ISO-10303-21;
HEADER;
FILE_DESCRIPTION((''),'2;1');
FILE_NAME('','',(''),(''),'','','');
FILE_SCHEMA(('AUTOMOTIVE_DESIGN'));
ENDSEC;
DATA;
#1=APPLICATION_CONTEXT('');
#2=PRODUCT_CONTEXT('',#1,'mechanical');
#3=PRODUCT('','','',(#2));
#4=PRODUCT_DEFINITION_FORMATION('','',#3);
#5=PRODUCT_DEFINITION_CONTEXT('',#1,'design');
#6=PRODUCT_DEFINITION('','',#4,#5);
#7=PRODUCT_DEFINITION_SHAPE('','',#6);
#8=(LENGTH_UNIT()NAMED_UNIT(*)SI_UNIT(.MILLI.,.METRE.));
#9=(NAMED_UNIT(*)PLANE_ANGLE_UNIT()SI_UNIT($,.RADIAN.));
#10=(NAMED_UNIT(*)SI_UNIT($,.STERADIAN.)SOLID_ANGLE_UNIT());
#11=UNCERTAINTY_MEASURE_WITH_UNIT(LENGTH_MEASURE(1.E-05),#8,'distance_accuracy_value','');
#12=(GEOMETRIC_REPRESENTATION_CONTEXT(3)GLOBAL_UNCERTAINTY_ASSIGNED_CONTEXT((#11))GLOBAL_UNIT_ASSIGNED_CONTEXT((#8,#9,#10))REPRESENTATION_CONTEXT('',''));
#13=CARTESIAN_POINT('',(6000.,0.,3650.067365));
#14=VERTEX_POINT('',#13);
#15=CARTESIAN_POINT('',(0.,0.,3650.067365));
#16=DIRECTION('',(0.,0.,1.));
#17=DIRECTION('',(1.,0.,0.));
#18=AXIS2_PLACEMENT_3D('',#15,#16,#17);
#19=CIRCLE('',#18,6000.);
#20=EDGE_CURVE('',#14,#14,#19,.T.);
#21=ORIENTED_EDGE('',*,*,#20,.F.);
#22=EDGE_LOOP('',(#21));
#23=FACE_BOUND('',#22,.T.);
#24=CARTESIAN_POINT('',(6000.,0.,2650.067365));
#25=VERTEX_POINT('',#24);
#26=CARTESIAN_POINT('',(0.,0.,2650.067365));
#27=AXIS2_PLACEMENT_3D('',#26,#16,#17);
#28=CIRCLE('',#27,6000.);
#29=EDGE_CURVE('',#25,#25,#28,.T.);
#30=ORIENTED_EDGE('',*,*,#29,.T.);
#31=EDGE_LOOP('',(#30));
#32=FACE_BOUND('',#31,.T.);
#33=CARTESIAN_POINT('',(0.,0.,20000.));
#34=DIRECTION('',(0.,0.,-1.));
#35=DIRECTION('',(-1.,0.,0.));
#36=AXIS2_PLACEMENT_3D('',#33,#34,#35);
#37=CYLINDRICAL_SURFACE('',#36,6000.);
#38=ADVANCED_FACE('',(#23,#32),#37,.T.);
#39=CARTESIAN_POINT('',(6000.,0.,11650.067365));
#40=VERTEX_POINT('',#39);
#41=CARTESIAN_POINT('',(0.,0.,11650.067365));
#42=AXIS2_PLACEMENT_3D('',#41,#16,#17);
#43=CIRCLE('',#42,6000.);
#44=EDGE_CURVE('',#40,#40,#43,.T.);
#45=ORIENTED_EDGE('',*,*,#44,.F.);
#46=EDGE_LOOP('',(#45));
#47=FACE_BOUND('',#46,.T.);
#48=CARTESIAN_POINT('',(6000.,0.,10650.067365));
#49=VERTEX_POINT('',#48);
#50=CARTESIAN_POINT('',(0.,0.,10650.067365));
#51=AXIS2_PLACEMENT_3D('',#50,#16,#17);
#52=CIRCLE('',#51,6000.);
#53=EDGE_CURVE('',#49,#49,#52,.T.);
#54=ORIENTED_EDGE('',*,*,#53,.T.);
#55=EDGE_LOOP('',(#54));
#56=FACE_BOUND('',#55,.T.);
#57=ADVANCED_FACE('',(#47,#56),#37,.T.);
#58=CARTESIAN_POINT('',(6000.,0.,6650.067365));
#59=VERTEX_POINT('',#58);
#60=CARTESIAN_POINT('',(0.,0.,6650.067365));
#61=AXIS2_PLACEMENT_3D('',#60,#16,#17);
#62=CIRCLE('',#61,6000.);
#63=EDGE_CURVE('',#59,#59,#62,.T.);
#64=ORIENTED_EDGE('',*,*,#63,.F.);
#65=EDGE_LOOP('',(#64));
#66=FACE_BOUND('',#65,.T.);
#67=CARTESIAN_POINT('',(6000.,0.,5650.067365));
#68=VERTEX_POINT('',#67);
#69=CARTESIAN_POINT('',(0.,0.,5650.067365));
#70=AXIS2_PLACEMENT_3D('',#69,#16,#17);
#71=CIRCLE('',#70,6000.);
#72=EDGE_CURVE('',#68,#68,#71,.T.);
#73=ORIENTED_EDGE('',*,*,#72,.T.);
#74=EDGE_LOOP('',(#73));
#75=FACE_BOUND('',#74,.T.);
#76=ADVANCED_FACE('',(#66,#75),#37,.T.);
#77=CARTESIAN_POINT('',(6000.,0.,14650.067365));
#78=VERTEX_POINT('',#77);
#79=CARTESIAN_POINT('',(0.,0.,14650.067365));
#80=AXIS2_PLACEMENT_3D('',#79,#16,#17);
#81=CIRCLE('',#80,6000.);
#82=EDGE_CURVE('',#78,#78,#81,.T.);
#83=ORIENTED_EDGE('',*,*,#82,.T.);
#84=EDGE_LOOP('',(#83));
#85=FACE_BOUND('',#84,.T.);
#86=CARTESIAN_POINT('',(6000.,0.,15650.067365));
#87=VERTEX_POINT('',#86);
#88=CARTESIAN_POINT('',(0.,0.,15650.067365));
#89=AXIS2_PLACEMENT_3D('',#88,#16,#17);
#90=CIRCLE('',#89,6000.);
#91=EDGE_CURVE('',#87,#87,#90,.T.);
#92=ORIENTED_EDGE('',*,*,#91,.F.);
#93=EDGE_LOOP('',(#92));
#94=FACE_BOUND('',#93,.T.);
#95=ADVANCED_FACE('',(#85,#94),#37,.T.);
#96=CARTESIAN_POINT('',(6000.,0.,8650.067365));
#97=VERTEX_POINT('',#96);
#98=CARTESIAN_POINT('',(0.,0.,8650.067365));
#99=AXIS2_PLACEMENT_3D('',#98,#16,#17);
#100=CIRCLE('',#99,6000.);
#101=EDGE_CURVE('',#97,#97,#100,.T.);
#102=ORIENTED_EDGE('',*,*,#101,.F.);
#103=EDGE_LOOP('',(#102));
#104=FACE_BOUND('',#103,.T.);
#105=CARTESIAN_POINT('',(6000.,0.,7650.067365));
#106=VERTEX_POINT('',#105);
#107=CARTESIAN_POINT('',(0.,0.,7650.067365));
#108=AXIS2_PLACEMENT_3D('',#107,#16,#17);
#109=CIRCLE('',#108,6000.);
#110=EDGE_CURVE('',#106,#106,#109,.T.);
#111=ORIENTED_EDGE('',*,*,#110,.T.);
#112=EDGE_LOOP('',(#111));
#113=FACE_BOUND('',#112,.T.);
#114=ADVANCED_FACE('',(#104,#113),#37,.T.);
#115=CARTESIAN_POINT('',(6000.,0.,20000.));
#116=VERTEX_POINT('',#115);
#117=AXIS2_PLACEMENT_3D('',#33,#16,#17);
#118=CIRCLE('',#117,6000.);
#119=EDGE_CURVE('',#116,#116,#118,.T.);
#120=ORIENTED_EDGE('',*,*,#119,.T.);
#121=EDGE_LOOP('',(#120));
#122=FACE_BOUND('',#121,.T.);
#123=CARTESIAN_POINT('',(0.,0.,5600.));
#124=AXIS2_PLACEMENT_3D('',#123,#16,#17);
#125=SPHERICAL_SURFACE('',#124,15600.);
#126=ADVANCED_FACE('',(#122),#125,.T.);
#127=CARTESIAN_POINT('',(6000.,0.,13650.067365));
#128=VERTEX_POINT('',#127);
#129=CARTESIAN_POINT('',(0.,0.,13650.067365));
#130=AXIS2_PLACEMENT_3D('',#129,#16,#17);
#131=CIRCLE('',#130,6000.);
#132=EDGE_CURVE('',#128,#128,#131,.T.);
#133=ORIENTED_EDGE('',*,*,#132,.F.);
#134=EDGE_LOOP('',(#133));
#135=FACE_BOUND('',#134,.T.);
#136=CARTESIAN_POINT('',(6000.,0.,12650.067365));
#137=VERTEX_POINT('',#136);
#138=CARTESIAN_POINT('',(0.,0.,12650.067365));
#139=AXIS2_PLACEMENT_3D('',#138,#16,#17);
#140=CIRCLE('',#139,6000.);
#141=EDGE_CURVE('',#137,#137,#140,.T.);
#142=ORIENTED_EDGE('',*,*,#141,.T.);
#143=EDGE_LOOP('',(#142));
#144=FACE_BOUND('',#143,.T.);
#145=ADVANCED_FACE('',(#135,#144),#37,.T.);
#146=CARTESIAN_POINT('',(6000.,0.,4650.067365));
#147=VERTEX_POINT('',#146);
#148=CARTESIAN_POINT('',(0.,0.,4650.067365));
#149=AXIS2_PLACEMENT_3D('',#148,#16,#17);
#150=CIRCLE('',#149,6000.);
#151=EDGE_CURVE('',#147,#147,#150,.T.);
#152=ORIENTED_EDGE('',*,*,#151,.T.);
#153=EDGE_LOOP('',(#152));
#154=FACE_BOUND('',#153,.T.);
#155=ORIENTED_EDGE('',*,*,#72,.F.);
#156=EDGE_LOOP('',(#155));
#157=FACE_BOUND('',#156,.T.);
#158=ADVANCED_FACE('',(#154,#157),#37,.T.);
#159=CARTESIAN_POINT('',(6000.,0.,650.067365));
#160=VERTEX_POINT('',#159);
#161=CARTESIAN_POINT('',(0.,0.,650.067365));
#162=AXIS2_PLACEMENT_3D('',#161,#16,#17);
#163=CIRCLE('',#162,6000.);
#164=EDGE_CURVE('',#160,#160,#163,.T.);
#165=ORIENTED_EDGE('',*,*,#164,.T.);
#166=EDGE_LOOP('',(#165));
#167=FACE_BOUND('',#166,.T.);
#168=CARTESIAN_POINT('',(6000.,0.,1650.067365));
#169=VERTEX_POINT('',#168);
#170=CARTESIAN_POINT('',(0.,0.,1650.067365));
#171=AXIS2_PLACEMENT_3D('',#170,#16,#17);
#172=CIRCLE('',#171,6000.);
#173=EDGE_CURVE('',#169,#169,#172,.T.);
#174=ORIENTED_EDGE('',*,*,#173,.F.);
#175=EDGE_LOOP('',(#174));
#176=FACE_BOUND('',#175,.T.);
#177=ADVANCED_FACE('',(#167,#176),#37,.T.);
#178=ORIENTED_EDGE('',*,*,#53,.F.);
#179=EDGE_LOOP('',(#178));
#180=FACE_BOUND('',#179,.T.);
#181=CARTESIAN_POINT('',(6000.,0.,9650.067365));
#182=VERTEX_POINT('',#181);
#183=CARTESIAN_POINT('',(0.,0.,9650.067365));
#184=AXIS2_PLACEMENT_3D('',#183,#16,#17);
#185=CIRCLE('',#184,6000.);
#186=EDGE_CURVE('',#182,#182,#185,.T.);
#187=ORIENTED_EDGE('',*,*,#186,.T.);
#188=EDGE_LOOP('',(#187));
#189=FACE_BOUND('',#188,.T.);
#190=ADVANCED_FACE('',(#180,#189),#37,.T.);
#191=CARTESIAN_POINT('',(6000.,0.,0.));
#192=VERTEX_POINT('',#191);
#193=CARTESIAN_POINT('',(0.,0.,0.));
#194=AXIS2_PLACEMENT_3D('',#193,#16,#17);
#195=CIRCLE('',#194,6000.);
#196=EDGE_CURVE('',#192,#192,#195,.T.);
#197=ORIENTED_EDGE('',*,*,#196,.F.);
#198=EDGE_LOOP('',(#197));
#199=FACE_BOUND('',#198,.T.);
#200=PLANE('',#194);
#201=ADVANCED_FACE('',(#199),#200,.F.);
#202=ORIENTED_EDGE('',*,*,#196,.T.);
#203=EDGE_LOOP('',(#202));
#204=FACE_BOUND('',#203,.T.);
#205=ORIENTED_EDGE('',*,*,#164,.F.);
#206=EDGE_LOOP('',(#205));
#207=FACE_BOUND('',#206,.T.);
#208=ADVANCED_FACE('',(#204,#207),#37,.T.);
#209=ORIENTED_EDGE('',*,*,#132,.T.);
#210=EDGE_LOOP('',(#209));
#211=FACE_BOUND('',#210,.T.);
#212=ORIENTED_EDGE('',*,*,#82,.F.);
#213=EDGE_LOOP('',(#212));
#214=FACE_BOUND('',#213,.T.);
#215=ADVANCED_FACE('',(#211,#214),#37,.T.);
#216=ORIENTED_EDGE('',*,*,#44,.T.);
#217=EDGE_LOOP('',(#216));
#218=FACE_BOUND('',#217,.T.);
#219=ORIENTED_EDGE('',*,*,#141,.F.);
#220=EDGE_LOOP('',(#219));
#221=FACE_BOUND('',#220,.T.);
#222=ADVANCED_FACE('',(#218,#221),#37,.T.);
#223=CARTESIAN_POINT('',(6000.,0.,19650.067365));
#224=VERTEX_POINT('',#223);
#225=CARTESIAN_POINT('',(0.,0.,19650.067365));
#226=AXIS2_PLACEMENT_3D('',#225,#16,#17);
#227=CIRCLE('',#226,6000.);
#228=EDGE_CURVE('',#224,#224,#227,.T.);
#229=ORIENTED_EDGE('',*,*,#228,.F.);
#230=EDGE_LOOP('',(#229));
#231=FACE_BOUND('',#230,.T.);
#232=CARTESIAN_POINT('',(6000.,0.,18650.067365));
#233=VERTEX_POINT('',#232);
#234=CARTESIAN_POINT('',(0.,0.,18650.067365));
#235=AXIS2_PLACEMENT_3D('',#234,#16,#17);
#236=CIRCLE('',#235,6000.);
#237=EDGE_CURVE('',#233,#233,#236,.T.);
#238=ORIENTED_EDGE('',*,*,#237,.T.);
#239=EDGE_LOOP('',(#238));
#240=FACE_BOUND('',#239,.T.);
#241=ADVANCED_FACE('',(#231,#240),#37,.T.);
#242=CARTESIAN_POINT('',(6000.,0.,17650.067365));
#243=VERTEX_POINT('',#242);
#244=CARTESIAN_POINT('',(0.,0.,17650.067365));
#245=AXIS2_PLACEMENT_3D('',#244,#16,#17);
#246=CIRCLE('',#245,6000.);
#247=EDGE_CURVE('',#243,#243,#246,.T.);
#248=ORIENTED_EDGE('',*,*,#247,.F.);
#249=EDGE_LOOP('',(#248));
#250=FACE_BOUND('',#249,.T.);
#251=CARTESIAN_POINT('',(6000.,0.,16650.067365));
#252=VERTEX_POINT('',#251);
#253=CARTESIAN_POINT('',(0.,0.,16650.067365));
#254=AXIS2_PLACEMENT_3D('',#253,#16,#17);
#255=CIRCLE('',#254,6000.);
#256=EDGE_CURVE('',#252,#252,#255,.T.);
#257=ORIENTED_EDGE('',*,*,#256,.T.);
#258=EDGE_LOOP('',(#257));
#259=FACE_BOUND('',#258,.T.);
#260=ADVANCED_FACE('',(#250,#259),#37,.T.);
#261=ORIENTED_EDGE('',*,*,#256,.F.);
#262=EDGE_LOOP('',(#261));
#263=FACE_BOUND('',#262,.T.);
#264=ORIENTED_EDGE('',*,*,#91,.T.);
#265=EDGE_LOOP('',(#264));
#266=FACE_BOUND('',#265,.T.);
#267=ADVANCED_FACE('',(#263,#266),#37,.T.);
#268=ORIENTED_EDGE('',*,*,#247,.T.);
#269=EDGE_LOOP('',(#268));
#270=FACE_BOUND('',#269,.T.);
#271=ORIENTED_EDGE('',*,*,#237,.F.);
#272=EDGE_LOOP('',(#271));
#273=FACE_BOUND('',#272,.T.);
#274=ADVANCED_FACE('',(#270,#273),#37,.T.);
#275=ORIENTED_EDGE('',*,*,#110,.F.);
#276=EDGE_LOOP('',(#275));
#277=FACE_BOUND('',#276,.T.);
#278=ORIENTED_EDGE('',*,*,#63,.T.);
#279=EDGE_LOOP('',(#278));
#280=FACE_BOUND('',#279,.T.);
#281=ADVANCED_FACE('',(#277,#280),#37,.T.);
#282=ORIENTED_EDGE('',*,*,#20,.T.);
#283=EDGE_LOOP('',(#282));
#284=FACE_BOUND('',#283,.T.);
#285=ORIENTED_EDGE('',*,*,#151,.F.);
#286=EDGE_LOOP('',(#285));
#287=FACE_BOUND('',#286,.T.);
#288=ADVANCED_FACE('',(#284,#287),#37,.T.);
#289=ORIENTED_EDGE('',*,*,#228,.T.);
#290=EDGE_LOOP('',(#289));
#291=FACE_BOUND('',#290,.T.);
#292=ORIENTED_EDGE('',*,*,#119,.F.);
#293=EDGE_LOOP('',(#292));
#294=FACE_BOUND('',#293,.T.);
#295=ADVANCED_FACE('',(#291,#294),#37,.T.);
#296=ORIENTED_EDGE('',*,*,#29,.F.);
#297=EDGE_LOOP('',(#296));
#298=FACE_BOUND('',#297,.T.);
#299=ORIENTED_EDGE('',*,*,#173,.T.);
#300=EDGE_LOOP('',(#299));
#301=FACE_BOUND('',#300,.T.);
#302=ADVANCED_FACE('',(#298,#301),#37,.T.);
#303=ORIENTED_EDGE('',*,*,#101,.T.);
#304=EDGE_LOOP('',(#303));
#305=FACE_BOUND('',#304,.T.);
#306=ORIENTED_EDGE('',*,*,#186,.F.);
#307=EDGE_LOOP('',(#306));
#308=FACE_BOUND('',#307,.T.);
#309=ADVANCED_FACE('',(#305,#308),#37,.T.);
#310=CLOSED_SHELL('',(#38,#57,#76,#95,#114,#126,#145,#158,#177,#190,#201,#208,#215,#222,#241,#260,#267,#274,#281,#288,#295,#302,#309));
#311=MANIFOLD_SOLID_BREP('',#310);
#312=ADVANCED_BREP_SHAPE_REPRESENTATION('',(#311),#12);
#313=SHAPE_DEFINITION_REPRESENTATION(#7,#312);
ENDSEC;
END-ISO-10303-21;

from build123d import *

# Parameters (mm, degrees)
SKETCH2_R           = 6000
BOSS_EXTRUDE1_DEPTH = 20000
DOME1_FACE_RADIUS   = 6000
DOME1_HEIGHT        = 1200


with BuildPart() as part:
    # Sketch2 → Boss-Extrude1 (new body)
    with BuildSketch(Plane.XY):
        Circle(SKETCH2_R)
    extrude(amount=BOSS_EXTRUDE1_DEPTH)

    # Dome1: a dome of height H over a round flat face of radius A is a cap of a sphere of radius (A * A + H * H) / (2 * H)
    dome1_r = (DOME1_FACE_RADIUS * DOME1_FACE_RADIUS + DOME1_HEIGHT * DOME1_HEIGHT) / (2 * DOME1_HEIGHT)
    dome1_base = Plane((0, 0, 20000), z_dir=(0, 0, 1))
    with Locations(dome1_base.offset(DOME1_HEIGHT - dome1_r)):
        dome1_ball = Sphere(dome1_r, mode=Mode.PRIVATE)
    add(split(dome1_ball, bisect_by=dome1_base, keep=Keep.TOP, mode=Mode.PRIVATE))


solid = part.part
